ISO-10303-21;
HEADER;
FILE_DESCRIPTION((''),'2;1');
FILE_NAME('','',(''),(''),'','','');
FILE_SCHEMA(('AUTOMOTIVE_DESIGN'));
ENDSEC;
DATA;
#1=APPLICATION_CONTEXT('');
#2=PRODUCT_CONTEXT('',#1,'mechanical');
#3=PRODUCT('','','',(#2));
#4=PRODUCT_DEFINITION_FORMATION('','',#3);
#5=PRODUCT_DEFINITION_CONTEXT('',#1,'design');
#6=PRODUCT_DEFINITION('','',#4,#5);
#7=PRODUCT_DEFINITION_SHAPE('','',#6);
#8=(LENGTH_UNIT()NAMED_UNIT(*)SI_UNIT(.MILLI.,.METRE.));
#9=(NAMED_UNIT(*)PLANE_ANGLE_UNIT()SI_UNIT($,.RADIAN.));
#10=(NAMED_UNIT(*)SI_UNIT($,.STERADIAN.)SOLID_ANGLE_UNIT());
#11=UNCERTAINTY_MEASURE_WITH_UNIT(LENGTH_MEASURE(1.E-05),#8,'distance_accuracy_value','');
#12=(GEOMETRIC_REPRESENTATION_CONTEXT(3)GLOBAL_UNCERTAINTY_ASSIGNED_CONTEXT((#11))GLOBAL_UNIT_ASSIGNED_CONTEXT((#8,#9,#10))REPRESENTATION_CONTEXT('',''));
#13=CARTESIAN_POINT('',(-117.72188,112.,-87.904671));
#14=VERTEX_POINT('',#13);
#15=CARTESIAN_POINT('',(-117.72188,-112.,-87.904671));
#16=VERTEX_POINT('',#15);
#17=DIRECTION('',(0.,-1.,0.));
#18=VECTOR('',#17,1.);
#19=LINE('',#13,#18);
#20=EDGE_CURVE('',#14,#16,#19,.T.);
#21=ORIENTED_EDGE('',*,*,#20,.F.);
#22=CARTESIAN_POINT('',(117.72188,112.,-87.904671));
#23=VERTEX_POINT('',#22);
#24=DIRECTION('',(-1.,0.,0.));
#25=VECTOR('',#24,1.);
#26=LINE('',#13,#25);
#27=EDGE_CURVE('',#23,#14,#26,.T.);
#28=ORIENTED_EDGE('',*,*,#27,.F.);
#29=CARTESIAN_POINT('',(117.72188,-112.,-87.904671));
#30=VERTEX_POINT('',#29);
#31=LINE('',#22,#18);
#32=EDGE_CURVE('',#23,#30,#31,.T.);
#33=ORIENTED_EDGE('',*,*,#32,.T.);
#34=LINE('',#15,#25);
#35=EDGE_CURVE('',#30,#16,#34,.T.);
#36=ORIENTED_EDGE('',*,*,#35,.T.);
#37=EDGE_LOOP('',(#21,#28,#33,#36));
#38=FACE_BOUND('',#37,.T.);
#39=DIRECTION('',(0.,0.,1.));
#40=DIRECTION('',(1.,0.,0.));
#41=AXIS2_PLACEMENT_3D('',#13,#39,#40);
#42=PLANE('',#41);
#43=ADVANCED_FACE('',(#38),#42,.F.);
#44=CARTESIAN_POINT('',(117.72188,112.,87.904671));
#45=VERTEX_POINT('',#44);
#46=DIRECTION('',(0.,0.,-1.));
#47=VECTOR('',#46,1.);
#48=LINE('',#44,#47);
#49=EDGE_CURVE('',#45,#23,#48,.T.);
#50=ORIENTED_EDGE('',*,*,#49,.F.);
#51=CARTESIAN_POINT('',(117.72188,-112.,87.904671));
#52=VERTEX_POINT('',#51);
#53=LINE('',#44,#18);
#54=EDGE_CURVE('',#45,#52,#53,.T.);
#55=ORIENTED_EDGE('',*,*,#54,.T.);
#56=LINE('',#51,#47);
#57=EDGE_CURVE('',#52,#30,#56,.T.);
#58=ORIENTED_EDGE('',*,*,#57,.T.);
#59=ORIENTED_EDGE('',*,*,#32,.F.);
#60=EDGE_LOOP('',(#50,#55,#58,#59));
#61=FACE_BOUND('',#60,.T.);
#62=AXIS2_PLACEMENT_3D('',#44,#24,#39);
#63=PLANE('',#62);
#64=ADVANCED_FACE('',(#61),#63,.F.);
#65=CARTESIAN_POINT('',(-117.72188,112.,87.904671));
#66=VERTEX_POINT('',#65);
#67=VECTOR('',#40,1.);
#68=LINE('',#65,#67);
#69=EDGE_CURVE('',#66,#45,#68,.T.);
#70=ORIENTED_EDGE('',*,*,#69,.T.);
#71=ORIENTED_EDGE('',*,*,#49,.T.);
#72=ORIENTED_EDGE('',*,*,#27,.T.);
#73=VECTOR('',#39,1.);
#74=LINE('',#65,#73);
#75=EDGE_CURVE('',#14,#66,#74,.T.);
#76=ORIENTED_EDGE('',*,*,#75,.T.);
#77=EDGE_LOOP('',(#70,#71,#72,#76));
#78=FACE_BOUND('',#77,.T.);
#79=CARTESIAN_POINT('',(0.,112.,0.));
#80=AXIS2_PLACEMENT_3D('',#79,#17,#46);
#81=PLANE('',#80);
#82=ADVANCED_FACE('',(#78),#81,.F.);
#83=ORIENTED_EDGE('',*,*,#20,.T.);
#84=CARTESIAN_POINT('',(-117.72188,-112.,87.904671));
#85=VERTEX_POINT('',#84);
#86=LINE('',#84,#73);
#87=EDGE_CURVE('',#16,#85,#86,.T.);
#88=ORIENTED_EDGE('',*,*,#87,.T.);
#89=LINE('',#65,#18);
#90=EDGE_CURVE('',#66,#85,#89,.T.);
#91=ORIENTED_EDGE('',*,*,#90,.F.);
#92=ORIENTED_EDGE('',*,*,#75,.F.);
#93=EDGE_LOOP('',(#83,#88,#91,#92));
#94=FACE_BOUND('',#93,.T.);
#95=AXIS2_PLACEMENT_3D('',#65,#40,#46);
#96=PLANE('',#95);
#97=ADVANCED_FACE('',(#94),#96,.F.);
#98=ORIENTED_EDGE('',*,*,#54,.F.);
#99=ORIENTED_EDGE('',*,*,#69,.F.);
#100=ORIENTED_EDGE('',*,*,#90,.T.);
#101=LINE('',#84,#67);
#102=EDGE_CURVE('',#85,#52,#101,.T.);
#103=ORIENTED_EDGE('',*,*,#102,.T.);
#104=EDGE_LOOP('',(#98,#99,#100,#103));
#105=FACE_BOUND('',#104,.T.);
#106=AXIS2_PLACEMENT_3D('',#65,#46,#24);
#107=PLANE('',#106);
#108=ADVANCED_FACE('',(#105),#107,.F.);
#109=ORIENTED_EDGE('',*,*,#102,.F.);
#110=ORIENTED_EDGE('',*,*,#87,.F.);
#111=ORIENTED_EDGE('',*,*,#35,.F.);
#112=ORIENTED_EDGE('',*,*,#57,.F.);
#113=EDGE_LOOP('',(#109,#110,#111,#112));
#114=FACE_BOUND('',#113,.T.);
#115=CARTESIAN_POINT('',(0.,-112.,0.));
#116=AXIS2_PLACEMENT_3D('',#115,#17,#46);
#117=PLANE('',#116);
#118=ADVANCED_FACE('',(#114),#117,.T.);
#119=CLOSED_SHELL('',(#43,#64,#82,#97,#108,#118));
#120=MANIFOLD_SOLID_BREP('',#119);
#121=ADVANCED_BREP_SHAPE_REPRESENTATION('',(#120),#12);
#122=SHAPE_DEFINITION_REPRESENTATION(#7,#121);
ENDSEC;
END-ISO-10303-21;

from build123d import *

# Parameters (mm, degrees)
SKETCH1_W           = 235.443759118
SKETCH1_H           = 175.809341662
BOSS_EXTRUDE1_DEPTH = 112


with BuildPart() as part:
    # Sketch1 → Boss-Extrude1 (new body, symmetric)
    with BuildSketch(Plane(origin=(0, 0, 0), x_dir=(1, 0, 0), z_dir=(0, 1, 0))):
        Rectangle(SKETCH1_W, SKETCH1_H)
    extrude(amount=BOSS_EXTRUDE1_DEPTH, both=True)


solid = part.part
